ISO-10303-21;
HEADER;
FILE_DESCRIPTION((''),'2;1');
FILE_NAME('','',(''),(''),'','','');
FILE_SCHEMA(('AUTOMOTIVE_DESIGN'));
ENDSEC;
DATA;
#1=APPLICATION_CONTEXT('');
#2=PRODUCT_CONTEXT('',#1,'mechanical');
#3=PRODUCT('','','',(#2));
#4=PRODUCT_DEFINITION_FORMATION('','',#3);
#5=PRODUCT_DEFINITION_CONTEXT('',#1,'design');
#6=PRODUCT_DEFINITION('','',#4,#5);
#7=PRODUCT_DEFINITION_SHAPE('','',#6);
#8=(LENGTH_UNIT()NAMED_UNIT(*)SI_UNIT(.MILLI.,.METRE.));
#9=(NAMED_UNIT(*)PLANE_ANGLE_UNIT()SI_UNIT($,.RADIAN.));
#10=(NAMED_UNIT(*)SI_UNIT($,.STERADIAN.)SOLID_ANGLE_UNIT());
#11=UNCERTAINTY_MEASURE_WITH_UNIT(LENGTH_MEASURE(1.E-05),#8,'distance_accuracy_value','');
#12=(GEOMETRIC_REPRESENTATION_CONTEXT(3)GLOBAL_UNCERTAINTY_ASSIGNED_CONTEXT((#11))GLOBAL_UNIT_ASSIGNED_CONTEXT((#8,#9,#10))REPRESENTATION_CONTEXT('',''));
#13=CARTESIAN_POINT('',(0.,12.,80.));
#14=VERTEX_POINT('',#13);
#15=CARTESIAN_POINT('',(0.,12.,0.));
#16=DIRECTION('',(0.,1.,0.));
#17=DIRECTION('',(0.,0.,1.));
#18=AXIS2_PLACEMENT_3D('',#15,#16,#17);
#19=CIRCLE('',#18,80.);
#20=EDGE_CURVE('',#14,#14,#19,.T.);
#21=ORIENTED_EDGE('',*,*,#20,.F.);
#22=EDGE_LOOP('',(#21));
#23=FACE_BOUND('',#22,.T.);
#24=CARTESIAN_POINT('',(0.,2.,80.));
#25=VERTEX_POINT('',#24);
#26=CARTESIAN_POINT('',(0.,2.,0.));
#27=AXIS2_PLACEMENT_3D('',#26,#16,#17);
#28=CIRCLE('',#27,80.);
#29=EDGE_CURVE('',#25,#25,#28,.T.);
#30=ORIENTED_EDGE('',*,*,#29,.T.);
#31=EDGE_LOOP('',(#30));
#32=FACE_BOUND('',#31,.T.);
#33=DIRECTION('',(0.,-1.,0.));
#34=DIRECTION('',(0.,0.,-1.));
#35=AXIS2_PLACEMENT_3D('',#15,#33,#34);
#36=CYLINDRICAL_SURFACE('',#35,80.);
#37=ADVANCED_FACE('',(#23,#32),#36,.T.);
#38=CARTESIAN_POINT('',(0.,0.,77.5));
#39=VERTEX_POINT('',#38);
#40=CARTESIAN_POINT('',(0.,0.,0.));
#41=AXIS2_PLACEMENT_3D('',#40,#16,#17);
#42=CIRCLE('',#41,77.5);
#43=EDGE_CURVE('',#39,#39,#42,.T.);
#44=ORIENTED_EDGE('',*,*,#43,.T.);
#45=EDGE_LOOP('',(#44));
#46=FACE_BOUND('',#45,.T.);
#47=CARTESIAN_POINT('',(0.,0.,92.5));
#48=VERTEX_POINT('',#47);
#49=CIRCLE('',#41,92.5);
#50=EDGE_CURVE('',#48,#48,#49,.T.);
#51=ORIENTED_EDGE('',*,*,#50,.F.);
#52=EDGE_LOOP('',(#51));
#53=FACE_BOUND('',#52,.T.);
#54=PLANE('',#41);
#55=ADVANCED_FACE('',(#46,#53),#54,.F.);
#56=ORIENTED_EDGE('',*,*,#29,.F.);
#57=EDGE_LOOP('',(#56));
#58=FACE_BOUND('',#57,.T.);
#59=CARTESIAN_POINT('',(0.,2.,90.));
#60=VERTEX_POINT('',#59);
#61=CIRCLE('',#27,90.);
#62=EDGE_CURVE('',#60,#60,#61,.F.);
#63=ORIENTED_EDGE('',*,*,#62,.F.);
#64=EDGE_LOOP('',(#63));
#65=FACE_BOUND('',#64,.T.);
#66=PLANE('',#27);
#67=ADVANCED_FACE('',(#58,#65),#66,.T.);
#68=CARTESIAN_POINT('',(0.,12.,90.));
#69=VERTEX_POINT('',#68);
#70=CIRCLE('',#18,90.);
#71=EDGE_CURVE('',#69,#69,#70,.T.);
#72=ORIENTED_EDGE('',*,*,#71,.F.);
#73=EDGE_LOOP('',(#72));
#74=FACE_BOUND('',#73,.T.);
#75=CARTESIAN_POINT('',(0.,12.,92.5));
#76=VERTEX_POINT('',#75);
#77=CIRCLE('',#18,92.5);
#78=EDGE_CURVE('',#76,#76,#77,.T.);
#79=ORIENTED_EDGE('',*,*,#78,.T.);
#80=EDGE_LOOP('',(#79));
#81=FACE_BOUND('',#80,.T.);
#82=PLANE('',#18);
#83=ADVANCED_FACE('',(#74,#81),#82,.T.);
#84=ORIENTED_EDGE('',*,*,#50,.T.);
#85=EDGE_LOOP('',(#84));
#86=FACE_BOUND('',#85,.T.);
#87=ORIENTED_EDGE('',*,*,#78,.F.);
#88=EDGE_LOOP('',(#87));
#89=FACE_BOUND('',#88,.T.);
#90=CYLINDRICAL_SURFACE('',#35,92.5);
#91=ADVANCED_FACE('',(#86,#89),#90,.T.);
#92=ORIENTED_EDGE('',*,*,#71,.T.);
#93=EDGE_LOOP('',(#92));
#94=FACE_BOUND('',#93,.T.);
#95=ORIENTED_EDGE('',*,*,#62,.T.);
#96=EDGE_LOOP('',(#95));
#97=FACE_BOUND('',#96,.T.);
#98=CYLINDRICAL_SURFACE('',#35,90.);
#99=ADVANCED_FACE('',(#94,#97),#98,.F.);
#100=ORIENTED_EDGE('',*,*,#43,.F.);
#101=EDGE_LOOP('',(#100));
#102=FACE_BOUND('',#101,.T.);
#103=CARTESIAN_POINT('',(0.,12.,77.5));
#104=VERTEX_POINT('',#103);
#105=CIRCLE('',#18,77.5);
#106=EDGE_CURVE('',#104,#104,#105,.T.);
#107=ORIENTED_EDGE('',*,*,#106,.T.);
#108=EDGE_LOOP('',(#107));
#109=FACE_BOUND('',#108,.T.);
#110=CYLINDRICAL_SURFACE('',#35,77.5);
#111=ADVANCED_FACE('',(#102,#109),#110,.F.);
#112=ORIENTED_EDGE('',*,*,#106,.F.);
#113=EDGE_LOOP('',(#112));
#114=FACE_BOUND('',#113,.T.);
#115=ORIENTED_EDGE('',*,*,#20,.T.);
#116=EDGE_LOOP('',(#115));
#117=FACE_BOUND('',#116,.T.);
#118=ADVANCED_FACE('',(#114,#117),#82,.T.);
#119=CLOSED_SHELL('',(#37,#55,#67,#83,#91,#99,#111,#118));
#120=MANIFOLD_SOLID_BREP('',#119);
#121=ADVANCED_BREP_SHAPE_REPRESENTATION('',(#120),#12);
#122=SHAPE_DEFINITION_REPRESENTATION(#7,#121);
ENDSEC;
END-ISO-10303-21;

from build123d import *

# Parameters (mm, degrees)
SKETCH_1_R      = 90
SKETCH_1_R_2    = 80
EXTRUDE_1_DEPTH = 2
SKETCH_1_3_R    = 92.5
SKETCH_1_3_R_2  = 90
SKETCH_1_3_R_3  = 80
SKETCH_1_3_R_4  = 77.5
EXTRUDE_2_DEPTH = 12


with BuildPart() as part:
    # 草图1 → 凸台-拉伸1 (new body)
    with BuildSketch(Plane(origin=(0, 0, 0), x_dir=(1, 0, 0), z_dir=(0, 1, 0))):
        Circle(SKETCH_1_R)
        Circle(SKETCH_1_R_2, mode=Mode.SUBTRACT)
    extrude(amount=EXTRUDE_1_DEPTH)

    # 草图1<3> → 凸台-拉伸2 (add)
    # profile 1 of 2: a face of its own
    with BuildSketch(Plane(origin=(0, 0, 0), x_dir=(1, 0, 0), z_dir=(0, 1, 0))):
        Circle(SKETCH_1_3_R)
        Circle(SKETCH_1_3_R_2, mode=Mode.SUBTRACT)
    # profile 2 of 2: a face of its own
    with BuildSketch(Plane(origin=(0, 0, 0), x_dir=(1, 0, 0), z_dir=(0, 1, 0))):
        Circle(SKETCH_1_3_R_3)
        Circle(SKETCH_1_3_R_4, mode=Mode.SUBTRACT)
    extrude(amount=EXTRUDE_2_DEPTH)


solid = part.part
